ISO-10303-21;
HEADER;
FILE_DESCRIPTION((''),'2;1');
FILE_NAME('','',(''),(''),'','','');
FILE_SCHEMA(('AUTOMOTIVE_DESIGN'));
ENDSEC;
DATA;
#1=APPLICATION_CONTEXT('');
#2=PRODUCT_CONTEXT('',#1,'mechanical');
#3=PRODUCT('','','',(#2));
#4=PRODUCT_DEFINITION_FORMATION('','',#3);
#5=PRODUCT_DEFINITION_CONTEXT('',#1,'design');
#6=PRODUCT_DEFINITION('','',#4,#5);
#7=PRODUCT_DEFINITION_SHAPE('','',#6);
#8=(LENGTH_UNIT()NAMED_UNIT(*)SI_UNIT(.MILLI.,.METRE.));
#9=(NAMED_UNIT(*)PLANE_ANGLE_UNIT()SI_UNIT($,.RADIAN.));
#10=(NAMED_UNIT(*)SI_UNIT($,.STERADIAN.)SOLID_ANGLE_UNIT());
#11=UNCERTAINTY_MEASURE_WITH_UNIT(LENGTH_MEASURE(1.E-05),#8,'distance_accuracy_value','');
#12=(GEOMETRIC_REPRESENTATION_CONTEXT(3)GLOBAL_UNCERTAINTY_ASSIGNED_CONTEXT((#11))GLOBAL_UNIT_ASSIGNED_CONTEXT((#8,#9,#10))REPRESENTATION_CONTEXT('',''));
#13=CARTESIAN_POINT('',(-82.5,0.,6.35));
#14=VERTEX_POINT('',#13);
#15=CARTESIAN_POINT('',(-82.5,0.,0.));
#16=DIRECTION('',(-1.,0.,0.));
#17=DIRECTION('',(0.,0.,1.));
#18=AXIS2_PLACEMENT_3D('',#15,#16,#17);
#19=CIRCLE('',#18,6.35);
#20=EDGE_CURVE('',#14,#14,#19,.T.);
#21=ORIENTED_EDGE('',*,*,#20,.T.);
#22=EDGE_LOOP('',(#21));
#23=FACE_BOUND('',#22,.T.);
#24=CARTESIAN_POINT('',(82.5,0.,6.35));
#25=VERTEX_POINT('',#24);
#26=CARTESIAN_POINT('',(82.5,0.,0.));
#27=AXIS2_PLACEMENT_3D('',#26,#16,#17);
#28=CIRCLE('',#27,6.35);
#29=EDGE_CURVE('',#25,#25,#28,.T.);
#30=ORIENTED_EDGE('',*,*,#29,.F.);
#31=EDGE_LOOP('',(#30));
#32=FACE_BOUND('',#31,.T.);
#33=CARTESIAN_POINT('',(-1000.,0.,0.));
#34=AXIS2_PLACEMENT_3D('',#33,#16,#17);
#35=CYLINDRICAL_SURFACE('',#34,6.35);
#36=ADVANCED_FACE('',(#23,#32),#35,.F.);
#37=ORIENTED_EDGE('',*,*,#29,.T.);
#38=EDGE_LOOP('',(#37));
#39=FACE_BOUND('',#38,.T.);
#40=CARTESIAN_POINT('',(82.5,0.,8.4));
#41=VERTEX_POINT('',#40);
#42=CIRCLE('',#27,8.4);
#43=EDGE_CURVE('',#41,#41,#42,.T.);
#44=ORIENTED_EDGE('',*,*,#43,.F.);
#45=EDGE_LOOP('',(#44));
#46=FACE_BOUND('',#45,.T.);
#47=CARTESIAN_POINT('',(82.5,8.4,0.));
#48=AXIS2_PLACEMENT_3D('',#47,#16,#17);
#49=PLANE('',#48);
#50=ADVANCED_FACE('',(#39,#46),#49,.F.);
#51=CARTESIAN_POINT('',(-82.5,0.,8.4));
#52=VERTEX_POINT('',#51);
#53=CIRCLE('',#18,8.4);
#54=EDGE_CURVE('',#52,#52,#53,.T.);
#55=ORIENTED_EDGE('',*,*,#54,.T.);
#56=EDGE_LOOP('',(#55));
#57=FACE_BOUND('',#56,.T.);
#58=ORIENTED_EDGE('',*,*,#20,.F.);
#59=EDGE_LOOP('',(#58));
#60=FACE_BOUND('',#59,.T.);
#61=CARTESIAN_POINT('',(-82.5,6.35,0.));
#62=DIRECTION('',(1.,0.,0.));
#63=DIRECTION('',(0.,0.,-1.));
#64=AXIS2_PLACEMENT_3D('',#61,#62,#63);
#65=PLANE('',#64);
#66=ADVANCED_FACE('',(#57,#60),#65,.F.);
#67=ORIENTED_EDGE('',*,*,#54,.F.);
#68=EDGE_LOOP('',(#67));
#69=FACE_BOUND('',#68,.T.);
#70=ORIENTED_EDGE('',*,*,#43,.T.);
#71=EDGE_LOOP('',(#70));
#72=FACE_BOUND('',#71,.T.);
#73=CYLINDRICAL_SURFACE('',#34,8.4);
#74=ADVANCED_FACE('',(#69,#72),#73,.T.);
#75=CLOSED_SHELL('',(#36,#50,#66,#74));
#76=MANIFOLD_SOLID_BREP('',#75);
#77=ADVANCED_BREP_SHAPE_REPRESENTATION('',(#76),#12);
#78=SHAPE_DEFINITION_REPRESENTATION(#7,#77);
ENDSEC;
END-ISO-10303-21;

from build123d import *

# Parameters (mm, degrees)
HOSE_10_SKETCH_W = 165
HOSE_10_SKETCH_H = 2.05


with BuildPart() as part:
    # Hose_10 Sketch → Hose_10 (revolve)
    with BuildSketch(Plane.XY):
        with Locations((0, 7.375)):
            Rectangle(HOSE_10_SKETCH_W, HOSE_10_SKETCH_H)
    revolve(axis=Axis((-1000, 0, 0), (1, 0, 0)))


solid = part.part
